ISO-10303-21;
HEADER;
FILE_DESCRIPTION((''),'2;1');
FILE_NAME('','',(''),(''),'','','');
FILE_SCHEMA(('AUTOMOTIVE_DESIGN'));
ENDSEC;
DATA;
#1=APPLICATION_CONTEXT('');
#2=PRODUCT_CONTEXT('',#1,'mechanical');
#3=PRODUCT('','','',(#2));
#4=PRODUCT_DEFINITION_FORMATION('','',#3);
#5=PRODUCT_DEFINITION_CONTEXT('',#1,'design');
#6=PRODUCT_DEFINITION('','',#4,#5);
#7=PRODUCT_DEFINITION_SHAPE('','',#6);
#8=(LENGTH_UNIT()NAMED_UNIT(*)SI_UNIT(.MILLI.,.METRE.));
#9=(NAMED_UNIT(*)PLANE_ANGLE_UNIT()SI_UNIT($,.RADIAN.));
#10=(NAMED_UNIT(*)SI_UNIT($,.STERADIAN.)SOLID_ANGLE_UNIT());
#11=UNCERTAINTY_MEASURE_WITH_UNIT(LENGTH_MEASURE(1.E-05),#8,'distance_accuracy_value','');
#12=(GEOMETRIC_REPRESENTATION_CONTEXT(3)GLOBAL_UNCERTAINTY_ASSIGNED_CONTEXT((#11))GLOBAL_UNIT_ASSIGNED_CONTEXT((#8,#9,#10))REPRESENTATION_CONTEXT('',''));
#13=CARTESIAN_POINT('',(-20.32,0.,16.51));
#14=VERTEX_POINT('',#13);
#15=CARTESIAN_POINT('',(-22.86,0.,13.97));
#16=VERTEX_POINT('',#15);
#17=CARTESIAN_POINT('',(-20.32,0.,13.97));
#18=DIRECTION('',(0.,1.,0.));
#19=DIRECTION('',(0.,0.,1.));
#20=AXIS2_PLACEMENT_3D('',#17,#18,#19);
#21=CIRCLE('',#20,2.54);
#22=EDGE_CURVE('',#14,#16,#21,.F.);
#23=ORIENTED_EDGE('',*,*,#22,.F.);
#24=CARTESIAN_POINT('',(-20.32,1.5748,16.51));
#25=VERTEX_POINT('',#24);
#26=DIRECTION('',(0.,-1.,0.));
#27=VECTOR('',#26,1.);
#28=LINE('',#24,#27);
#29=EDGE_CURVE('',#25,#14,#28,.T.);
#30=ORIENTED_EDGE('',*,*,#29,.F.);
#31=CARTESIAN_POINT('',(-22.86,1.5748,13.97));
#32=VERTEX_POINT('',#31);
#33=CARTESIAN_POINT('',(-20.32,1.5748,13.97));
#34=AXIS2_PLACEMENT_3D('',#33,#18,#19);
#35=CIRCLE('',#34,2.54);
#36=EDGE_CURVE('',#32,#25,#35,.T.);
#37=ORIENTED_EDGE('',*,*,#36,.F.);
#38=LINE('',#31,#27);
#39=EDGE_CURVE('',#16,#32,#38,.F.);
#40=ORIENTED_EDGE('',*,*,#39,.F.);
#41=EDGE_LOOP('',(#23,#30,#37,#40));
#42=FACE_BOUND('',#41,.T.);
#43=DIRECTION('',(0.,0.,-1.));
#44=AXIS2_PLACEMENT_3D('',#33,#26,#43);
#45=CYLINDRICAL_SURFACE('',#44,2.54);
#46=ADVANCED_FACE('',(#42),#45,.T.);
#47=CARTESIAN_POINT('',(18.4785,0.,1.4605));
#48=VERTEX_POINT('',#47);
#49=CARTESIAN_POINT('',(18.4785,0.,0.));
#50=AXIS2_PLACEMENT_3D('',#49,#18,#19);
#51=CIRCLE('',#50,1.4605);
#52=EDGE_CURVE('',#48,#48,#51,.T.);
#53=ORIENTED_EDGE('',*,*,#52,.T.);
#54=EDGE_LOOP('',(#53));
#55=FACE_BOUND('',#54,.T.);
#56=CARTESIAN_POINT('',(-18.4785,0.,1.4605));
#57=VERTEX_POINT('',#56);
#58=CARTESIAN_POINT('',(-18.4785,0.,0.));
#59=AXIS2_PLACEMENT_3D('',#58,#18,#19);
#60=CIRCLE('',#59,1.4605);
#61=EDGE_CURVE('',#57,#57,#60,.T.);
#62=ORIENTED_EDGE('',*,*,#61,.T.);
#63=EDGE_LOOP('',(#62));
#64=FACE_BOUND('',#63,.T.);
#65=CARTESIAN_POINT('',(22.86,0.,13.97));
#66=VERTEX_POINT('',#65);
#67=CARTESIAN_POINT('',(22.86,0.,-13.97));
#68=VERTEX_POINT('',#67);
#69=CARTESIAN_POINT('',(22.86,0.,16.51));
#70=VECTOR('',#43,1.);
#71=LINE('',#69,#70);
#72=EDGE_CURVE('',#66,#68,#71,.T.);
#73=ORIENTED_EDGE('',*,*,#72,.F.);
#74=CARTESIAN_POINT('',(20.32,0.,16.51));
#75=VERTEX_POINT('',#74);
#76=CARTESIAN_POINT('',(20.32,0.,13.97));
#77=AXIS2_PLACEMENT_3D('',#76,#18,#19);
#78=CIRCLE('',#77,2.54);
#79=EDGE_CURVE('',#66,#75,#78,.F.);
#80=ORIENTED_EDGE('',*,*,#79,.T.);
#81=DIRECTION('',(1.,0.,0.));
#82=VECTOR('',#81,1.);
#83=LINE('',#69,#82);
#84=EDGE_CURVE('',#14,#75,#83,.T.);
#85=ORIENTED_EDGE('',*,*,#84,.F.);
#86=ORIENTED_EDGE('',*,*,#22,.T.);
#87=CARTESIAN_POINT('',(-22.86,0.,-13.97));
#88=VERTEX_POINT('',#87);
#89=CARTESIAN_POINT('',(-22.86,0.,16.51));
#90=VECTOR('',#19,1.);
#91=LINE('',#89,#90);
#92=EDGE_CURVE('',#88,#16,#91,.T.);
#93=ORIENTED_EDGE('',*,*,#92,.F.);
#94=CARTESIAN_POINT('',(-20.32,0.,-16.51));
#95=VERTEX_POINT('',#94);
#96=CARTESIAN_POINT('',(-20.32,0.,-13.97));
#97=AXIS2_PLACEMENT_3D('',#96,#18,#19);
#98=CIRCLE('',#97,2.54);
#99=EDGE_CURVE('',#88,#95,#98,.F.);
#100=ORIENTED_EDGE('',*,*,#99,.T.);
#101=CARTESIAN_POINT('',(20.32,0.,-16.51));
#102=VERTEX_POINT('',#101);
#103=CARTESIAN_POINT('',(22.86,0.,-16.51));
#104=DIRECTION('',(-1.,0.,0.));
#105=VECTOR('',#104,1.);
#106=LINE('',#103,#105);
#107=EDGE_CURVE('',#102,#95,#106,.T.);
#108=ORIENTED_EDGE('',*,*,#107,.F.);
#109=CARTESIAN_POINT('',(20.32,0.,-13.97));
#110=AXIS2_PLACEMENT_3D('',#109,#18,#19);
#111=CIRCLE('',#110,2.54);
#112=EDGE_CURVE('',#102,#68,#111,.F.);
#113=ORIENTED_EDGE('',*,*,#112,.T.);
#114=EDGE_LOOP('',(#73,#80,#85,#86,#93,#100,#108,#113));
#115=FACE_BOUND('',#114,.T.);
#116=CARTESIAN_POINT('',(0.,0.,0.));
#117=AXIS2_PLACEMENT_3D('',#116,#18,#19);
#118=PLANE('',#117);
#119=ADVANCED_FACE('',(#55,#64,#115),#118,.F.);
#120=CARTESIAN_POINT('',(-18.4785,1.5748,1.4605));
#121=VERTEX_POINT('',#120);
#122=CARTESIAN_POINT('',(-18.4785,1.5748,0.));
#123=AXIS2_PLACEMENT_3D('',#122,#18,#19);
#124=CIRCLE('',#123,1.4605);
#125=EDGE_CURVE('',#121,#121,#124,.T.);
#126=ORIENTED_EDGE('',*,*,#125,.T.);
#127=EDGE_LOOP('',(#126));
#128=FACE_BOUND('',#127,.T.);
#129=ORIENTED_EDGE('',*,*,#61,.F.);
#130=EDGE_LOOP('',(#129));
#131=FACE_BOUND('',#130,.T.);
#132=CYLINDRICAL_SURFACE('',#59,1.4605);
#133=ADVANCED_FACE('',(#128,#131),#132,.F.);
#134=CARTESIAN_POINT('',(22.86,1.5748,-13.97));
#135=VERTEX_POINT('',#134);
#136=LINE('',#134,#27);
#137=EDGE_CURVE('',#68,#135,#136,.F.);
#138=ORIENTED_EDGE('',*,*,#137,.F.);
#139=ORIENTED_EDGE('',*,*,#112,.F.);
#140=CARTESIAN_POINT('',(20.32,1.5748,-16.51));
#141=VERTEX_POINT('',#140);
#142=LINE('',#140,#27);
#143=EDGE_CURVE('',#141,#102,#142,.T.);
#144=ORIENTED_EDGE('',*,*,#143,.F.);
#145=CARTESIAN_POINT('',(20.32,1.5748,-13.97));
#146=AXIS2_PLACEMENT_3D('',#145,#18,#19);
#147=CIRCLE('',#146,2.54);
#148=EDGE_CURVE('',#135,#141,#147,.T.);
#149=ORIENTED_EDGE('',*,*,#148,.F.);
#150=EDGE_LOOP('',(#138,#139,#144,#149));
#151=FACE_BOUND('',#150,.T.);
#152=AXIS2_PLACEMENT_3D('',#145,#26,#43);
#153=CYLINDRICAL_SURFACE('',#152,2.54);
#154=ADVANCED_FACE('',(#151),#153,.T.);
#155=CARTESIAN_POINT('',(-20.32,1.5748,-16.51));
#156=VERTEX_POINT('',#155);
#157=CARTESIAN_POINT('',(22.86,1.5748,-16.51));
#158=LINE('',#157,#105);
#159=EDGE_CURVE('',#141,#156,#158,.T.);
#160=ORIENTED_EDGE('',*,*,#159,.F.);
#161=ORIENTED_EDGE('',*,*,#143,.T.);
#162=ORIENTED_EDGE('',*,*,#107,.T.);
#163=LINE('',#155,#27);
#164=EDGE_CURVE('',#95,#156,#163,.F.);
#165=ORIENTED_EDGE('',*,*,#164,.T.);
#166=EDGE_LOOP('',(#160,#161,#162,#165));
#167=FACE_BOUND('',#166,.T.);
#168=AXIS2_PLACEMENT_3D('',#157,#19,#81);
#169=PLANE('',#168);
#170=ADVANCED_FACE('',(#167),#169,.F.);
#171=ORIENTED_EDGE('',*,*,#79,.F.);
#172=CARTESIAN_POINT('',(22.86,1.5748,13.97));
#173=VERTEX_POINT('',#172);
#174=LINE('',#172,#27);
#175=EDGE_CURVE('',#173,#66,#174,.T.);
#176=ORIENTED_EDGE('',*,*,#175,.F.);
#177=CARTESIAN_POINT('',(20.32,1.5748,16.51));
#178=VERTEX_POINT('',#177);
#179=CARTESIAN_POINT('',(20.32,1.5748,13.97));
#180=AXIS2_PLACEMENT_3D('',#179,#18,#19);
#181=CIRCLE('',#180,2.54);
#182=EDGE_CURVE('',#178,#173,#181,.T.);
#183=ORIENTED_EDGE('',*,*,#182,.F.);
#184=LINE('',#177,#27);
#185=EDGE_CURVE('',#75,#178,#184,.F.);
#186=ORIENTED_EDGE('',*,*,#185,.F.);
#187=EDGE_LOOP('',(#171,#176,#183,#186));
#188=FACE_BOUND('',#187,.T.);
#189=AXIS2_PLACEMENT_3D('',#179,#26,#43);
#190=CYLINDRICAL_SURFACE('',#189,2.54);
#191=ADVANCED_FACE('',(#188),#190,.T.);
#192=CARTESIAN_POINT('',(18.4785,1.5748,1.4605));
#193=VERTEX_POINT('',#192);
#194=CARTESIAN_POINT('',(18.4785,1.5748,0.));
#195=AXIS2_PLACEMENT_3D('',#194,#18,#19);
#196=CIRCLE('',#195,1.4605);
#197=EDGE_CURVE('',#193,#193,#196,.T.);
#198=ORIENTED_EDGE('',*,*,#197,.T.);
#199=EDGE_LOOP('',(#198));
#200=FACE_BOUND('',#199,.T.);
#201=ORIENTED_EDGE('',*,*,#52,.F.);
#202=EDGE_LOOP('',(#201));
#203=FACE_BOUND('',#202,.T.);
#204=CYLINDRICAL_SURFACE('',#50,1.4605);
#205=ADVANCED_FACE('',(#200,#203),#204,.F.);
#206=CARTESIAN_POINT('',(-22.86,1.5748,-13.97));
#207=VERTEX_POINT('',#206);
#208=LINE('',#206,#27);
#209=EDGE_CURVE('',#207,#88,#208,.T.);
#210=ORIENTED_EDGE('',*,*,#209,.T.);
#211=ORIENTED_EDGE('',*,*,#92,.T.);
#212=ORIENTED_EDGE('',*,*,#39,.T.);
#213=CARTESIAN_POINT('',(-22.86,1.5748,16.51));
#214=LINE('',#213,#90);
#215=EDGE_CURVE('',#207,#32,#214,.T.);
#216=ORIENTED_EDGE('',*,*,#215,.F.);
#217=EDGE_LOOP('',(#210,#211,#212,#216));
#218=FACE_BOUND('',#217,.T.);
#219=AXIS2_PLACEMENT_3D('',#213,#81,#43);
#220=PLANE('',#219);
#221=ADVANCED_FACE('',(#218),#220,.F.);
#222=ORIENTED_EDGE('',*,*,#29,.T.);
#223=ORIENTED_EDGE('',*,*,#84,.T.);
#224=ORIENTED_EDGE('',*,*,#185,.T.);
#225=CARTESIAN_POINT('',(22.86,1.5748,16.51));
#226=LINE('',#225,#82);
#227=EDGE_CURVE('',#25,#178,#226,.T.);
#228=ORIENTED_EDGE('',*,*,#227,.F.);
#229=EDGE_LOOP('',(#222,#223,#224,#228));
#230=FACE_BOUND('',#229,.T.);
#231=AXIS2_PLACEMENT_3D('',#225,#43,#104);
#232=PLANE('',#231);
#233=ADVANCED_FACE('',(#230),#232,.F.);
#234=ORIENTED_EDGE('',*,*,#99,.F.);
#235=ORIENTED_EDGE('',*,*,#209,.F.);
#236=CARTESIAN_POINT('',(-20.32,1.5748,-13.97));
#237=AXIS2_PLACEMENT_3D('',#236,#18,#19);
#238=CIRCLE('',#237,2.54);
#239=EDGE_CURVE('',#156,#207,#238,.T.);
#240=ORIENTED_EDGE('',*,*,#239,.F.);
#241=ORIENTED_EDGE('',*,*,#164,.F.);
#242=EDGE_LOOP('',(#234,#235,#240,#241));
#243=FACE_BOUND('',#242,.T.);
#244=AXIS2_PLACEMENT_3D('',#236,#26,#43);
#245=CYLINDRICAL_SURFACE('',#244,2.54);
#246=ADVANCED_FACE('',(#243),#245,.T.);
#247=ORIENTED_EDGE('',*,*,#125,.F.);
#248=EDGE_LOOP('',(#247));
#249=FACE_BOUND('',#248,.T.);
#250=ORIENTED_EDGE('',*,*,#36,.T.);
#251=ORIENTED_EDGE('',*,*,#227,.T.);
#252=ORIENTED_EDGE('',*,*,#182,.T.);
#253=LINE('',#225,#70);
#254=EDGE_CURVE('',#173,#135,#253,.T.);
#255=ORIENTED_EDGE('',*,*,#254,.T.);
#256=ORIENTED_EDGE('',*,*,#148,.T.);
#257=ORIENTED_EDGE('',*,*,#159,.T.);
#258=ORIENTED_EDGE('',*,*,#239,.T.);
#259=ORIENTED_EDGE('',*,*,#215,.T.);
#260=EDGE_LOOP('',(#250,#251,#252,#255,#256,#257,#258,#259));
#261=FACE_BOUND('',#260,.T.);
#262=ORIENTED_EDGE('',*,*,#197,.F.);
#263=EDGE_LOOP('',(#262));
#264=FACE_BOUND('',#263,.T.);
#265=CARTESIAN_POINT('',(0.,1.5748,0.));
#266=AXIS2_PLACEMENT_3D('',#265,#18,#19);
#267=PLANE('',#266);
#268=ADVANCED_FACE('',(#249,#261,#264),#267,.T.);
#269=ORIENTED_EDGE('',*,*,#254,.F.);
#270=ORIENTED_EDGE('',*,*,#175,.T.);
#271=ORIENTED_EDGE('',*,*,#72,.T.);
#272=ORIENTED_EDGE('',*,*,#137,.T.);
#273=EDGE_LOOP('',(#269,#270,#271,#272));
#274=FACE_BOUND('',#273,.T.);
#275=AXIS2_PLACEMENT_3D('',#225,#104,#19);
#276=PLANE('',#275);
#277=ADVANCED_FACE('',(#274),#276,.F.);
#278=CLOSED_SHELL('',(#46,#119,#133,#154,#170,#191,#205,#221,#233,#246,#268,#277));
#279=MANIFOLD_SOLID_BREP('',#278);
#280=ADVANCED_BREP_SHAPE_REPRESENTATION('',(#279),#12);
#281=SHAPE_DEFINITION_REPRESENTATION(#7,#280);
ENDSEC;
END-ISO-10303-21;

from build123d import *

# Parameters (mm, degrees)
SKETCH1_W           = 45.72
SKETCH1_H           = 33.02
BOSS_EXTRUDE1_DEPTH = 1.5748
FILLET1_R           = 2.54
SKETCH2_R           = 1.4605
CUT_EXTRUDE1_DEPTH  = 2.5748


with BuildPart() as part:
    # Sketch1 → Boss-Extrude1 (new body)
    with BuildSketch(Plane(origin=(0, 0, 0), x_dir=(1, 0, 0), z_dir=(0, 1, 0))):
        Rectangle(SKETCH1_W, SKETCH1_H)
    extrude(amount=BOSS_EXTRUDE1_DEPTH)

    # Fillet1
    fillet1_edges = [part.edges().sort_by_distance(p)[0] for p in [
        (-22.86, 0.7874, -16.51),
        (22.86, 0.7874, -16.51),
        (22.86, 0.7874, 16.51),
        (-22.86, 0.7874, 16.51),
    ]]
    fillet(fillet1_edges, radius=FILLET1_R)

    # Sketch2 → Cut-Extrude1 (cut, through all)
    with BuildSketch(Plane(origin=(0, 1.5748, 0), x_dir=(1, 0, 0), z_dir=(0, 1, 0))):
        with Locations((-18.4785, 0)):
            Circle(SKETCH2_R)
        with Locations((18.4785, 0)):
            Circle(SKETCH2_R)
    extrude(amount=-CUT_EXTRUDE1_DEPTH, mode=Mode.SUBTRACT)


solid = part.part
